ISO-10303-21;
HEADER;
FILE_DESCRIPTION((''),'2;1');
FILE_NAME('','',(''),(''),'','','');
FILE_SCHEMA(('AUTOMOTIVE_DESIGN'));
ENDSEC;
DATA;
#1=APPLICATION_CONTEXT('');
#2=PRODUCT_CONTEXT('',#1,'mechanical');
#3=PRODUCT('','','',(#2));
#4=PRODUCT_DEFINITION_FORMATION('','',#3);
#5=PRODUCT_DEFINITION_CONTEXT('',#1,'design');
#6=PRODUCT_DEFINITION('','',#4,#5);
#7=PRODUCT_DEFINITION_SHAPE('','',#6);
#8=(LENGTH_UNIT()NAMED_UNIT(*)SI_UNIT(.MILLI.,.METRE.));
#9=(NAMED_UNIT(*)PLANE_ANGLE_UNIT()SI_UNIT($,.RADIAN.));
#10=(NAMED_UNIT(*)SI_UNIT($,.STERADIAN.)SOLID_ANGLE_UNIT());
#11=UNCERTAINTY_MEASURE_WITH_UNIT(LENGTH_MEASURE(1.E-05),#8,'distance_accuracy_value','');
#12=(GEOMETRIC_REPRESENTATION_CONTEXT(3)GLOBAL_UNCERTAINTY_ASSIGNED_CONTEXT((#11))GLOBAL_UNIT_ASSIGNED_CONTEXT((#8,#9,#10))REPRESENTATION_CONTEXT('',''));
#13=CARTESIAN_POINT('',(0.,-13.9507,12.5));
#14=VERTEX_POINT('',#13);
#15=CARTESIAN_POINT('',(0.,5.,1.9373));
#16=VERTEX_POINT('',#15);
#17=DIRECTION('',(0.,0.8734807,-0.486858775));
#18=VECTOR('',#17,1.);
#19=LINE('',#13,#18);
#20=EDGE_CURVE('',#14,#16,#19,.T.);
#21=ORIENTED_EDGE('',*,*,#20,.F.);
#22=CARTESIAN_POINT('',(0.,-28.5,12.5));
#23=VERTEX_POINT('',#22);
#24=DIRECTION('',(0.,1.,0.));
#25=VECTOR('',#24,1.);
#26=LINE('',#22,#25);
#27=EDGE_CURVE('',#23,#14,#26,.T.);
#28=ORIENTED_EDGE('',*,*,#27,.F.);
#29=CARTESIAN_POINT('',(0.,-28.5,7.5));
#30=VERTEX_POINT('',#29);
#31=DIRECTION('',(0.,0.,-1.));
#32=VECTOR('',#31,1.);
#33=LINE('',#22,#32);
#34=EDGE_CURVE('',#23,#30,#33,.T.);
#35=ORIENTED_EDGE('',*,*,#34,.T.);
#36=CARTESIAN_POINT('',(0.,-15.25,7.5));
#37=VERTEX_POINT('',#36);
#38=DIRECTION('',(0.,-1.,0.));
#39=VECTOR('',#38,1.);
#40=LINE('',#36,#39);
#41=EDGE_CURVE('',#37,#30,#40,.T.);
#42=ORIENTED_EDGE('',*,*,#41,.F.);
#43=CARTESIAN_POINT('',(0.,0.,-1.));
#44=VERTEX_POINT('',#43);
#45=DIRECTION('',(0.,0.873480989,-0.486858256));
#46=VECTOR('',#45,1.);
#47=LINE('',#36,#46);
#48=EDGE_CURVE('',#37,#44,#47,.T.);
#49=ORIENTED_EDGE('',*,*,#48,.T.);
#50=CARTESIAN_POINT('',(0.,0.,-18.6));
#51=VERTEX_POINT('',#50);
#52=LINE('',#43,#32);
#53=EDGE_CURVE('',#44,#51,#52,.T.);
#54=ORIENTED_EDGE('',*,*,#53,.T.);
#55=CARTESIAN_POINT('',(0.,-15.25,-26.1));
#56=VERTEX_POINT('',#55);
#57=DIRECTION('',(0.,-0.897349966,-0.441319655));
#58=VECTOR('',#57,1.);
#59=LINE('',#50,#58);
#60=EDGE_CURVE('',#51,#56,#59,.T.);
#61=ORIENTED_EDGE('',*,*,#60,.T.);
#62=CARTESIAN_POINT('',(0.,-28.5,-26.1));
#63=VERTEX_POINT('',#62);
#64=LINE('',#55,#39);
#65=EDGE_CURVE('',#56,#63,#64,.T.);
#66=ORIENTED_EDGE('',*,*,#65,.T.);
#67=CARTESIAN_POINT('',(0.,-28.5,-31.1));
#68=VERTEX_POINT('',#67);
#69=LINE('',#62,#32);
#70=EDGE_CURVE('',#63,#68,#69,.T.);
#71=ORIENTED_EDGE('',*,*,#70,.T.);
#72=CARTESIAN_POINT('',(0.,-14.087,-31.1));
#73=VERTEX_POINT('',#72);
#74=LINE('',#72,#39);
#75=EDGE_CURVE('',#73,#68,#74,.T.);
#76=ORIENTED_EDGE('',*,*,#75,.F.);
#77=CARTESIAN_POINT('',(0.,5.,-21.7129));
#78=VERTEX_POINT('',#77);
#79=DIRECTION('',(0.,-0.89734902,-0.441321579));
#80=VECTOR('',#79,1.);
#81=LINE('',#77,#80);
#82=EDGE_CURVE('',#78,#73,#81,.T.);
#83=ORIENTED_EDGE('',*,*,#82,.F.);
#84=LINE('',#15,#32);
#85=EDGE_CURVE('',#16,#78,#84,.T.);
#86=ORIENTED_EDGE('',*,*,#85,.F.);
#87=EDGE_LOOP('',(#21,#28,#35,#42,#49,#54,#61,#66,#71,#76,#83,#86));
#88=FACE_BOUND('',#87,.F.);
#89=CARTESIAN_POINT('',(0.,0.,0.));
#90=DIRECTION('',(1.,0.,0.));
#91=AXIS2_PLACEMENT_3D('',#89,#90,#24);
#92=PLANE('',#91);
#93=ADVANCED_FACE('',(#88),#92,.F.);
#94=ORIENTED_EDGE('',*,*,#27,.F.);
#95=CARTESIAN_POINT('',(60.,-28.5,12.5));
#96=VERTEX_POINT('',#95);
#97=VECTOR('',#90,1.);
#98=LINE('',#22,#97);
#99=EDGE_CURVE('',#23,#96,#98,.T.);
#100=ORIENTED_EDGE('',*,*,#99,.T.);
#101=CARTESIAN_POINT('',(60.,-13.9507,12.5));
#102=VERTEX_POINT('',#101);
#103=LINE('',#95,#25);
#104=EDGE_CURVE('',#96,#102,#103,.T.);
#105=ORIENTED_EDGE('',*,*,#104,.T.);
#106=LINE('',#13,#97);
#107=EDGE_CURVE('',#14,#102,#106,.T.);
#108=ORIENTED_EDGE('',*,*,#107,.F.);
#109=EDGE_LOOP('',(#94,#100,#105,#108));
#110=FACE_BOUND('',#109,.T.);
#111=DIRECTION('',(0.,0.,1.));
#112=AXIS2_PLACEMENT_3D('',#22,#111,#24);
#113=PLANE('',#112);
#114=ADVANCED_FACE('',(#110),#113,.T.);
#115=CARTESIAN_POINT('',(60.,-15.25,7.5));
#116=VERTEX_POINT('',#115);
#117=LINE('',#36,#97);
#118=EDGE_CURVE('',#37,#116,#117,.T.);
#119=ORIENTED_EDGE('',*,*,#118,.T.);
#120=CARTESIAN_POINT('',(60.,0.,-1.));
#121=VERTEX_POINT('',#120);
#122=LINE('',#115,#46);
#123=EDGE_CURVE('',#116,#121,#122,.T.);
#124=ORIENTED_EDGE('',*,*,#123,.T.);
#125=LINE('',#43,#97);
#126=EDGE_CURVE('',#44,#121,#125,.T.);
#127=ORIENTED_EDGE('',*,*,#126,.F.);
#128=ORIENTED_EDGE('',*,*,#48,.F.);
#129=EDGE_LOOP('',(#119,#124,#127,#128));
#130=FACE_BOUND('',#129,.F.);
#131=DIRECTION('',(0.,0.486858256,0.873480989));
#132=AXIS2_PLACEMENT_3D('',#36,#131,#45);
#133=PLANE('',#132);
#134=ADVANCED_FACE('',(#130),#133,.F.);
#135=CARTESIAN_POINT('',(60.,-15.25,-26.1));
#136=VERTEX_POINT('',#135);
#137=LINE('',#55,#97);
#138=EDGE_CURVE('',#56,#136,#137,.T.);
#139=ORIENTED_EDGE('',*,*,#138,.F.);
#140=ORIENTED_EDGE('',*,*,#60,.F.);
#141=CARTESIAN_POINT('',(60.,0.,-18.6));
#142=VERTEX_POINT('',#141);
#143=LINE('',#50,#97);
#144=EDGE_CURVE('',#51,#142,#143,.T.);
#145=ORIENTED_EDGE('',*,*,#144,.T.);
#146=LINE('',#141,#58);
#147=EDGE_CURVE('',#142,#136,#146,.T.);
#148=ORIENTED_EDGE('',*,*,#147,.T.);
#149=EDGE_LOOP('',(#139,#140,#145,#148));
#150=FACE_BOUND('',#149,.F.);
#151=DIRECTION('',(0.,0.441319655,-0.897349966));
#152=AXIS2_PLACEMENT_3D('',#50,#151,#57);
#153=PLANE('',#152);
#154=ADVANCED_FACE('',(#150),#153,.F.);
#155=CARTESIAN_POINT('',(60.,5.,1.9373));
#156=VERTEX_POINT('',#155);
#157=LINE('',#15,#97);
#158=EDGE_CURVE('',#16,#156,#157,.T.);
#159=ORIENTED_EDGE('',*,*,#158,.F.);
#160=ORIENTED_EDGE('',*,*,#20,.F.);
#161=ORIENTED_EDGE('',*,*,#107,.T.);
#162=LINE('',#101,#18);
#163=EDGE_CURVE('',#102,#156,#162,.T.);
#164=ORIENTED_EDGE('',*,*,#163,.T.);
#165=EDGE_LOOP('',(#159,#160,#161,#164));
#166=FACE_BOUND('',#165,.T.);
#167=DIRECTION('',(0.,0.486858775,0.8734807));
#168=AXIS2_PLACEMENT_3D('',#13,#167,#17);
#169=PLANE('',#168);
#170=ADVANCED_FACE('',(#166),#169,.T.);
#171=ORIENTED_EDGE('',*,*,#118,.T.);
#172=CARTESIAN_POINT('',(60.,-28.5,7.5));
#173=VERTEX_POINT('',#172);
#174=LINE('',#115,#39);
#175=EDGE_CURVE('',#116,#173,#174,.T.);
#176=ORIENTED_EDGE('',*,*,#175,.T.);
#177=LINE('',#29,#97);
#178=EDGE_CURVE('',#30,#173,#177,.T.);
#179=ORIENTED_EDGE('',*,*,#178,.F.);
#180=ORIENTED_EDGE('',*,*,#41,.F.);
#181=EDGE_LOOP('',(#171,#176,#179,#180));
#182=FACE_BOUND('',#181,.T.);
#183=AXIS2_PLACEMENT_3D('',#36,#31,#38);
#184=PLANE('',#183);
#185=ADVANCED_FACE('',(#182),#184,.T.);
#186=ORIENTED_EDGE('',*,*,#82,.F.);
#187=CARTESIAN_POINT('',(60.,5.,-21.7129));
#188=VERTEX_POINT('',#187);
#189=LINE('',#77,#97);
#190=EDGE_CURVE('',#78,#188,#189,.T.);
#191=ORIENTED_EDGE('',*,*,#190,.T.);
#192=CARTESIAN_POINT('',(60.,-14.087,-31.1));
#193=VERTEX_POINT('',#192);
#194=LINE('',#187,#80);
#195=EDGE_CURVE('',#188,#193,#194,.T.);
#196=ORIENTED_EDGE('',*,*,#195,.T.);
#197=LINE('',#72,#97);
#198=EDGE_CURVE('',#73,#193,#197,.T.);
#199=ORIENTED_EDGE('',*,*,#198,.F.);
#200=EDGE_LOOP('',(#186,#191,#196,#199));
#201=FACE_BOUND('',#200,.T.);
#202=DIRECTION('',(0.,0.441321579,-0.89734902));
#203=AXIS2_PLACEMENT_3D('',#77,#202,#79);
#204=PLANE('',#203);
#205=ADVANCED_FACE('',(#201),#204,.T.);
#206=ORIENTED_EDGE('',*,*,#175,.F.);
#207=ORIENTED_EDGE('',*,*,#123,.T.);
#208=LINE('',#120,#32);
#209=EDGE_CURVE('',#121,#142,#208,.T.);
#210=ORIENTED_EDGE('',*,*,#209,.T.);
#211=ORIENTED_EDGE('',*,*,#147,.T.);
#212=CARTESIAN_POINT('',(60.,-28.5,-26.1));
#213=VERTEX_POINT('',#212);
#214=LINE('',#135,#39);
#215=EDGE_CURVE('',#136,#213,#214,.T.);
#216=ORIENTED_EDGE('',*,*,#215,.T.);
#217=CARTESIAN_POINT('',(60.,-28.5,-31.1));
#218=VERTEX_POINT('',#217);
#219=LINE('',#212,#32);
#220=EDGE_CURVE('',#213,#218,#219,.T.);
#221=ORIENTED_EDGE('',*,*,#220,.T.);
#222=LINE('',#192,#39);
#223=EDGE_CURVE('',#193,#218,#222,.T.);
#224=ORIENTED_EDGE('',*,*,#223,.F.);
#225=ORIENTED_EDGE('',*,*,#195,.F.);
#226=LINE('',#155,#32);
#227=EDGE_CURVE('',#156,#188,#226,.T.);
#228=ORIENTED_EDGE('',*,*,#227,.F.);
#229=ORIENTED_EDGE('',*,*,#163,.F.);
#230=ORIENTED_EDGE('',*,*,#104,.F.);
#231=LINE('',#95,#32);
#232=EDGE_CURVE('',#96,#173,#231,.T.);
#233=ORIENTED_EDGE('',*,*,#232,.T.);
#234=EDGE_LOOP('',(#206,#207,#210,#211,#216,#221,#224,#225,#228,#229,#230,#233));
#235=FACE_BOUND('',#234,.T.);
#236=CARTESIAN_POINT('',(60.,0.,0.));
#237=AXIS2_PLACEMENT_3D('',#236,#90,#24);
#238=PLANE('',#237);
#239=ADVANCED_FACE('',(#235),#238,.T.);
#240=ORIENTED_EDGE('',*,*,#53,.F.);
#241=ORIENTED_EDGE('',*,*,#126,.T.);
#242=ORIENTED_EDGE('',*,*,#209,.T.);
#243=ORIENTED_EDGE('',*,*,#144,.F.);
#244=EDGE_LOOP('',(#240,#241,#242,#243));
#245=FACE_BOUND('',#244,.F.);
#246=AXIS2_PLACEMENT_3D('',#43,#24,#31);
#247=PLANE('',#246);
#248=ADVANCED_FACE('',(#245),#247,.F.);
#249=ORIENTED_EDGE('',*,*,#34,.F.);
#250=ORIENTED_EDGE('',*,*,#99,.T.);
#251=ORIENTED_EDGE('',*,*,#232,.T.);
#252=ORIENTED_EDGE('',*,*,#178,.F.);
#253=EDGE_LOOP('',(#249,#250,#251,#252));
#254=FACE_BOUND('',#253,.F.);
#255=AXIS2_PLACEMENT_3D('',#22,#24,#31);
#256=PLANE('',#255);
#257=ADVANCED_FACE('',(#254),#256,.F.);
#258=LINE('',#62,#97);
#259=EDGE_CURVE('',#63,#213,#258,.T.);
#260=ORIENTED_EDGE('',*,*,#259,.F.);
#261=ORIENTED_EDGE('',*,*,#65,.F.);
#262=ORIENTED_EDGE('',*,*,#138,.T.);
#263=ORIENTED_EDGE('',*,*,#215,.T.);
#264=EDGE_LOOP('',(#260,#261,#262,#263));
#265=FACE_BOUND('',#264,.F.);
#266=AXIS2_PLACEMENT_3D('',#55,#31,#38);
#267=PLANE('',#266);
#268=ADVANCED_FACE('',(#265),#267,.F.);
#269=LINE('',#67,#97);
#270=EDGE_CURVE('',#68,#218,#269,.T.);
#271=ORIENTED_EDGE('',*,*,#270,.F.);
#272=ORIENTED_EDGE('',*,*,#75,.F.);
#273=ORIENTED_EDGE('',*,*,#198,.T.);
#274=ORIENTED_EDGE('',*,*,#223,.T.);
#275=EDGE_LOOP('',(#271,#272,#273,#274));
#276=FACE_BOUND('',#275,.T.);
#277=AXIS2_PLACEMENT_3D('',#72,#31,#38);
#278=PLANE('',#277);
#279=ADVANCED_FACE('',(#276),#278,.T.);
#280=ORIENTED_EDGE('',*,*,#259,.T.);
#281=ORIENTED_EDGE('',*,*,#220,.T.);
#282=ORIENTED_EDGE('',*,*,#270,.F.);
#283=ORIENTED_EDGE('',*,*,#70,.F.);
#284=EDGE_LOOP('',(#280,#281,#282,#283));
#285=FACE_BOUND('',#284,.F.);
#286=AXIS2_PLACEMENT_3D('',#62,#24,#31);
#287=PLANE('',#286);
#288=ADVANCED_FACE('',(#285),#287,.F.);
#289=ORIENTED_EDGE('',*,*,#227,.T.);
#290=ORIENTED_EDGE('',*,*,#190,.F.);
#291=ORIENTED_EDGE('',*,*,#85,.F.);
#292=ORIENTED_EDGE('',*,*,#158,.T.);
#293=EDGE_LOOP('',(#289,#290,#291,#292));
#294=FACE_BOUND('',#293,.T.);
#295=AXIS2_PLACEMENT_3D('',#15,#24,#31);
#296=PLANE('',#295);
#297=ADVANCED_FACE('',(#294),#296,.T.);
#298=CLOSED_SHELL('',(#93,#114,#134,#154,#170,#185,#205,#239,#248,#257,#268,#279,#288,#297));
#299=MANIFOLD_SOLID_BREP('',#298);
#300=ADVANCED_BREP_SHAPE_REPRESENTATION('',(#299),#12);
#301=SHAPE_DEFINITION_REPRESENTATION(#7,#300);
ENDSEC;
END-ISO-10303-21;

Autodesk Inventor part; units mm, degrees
ref_plane "YZ Plane" through (0, 0, 0) normal (1, 0, 0) x (0, 1, 0)
ref_plane "XZ Plane" through (0, 0, 0) normal (0, 1, 0) x (-1, 0, 0)
ref_plane "XY Plane" through (0, 0, 0) normal (0, 0, 1) x (1, 0, 0)
sketch "Sketch1" plane through (0, 0, 0) normal (1, 0, 0) x (0, 1, 0)
  line L0 (25346.4946, 38060.2067) -> (25328.8946, 38060.2067)
  line L1 (0, -1) -> (0, -18.6)
  line L2 (-15.25, -26.1) -> (-28.5, -26.1)
  line L3 (-15.25, 7.5) -> (-28.5, 7.5)
  line L4 (-15.25, 7.5) -> (0, -1)
  line L5 (0, -18.6) -> (-15.25, -26.1)
  line L6 (-28.5, 12.5) -> (-13.9507, 12.5)
  line L7 (-13.9507, 12.5) -> (5, 1.9373)
  line L8 (5, 1.9373) -> (5, -21.7129)
  line L9 (5, -21.7129) -> (-14.087, -31.1)
  line L10 (-14.087, -31.1) -> (-28.5, -31.1)
  line L11 (-28.5, 12.5) -> (-28.5, 7.5)
  line L12 (-28.5, -26.1) -> (-28.5, -31.1)
  dimension "d2" = 17.6
  dimension "d8" = 5
  dimension "d12" = 38.6
extrude "Extrusion1" add sketch "Sketch1" along normal blind 60
properties part number "BatteryHolder"
